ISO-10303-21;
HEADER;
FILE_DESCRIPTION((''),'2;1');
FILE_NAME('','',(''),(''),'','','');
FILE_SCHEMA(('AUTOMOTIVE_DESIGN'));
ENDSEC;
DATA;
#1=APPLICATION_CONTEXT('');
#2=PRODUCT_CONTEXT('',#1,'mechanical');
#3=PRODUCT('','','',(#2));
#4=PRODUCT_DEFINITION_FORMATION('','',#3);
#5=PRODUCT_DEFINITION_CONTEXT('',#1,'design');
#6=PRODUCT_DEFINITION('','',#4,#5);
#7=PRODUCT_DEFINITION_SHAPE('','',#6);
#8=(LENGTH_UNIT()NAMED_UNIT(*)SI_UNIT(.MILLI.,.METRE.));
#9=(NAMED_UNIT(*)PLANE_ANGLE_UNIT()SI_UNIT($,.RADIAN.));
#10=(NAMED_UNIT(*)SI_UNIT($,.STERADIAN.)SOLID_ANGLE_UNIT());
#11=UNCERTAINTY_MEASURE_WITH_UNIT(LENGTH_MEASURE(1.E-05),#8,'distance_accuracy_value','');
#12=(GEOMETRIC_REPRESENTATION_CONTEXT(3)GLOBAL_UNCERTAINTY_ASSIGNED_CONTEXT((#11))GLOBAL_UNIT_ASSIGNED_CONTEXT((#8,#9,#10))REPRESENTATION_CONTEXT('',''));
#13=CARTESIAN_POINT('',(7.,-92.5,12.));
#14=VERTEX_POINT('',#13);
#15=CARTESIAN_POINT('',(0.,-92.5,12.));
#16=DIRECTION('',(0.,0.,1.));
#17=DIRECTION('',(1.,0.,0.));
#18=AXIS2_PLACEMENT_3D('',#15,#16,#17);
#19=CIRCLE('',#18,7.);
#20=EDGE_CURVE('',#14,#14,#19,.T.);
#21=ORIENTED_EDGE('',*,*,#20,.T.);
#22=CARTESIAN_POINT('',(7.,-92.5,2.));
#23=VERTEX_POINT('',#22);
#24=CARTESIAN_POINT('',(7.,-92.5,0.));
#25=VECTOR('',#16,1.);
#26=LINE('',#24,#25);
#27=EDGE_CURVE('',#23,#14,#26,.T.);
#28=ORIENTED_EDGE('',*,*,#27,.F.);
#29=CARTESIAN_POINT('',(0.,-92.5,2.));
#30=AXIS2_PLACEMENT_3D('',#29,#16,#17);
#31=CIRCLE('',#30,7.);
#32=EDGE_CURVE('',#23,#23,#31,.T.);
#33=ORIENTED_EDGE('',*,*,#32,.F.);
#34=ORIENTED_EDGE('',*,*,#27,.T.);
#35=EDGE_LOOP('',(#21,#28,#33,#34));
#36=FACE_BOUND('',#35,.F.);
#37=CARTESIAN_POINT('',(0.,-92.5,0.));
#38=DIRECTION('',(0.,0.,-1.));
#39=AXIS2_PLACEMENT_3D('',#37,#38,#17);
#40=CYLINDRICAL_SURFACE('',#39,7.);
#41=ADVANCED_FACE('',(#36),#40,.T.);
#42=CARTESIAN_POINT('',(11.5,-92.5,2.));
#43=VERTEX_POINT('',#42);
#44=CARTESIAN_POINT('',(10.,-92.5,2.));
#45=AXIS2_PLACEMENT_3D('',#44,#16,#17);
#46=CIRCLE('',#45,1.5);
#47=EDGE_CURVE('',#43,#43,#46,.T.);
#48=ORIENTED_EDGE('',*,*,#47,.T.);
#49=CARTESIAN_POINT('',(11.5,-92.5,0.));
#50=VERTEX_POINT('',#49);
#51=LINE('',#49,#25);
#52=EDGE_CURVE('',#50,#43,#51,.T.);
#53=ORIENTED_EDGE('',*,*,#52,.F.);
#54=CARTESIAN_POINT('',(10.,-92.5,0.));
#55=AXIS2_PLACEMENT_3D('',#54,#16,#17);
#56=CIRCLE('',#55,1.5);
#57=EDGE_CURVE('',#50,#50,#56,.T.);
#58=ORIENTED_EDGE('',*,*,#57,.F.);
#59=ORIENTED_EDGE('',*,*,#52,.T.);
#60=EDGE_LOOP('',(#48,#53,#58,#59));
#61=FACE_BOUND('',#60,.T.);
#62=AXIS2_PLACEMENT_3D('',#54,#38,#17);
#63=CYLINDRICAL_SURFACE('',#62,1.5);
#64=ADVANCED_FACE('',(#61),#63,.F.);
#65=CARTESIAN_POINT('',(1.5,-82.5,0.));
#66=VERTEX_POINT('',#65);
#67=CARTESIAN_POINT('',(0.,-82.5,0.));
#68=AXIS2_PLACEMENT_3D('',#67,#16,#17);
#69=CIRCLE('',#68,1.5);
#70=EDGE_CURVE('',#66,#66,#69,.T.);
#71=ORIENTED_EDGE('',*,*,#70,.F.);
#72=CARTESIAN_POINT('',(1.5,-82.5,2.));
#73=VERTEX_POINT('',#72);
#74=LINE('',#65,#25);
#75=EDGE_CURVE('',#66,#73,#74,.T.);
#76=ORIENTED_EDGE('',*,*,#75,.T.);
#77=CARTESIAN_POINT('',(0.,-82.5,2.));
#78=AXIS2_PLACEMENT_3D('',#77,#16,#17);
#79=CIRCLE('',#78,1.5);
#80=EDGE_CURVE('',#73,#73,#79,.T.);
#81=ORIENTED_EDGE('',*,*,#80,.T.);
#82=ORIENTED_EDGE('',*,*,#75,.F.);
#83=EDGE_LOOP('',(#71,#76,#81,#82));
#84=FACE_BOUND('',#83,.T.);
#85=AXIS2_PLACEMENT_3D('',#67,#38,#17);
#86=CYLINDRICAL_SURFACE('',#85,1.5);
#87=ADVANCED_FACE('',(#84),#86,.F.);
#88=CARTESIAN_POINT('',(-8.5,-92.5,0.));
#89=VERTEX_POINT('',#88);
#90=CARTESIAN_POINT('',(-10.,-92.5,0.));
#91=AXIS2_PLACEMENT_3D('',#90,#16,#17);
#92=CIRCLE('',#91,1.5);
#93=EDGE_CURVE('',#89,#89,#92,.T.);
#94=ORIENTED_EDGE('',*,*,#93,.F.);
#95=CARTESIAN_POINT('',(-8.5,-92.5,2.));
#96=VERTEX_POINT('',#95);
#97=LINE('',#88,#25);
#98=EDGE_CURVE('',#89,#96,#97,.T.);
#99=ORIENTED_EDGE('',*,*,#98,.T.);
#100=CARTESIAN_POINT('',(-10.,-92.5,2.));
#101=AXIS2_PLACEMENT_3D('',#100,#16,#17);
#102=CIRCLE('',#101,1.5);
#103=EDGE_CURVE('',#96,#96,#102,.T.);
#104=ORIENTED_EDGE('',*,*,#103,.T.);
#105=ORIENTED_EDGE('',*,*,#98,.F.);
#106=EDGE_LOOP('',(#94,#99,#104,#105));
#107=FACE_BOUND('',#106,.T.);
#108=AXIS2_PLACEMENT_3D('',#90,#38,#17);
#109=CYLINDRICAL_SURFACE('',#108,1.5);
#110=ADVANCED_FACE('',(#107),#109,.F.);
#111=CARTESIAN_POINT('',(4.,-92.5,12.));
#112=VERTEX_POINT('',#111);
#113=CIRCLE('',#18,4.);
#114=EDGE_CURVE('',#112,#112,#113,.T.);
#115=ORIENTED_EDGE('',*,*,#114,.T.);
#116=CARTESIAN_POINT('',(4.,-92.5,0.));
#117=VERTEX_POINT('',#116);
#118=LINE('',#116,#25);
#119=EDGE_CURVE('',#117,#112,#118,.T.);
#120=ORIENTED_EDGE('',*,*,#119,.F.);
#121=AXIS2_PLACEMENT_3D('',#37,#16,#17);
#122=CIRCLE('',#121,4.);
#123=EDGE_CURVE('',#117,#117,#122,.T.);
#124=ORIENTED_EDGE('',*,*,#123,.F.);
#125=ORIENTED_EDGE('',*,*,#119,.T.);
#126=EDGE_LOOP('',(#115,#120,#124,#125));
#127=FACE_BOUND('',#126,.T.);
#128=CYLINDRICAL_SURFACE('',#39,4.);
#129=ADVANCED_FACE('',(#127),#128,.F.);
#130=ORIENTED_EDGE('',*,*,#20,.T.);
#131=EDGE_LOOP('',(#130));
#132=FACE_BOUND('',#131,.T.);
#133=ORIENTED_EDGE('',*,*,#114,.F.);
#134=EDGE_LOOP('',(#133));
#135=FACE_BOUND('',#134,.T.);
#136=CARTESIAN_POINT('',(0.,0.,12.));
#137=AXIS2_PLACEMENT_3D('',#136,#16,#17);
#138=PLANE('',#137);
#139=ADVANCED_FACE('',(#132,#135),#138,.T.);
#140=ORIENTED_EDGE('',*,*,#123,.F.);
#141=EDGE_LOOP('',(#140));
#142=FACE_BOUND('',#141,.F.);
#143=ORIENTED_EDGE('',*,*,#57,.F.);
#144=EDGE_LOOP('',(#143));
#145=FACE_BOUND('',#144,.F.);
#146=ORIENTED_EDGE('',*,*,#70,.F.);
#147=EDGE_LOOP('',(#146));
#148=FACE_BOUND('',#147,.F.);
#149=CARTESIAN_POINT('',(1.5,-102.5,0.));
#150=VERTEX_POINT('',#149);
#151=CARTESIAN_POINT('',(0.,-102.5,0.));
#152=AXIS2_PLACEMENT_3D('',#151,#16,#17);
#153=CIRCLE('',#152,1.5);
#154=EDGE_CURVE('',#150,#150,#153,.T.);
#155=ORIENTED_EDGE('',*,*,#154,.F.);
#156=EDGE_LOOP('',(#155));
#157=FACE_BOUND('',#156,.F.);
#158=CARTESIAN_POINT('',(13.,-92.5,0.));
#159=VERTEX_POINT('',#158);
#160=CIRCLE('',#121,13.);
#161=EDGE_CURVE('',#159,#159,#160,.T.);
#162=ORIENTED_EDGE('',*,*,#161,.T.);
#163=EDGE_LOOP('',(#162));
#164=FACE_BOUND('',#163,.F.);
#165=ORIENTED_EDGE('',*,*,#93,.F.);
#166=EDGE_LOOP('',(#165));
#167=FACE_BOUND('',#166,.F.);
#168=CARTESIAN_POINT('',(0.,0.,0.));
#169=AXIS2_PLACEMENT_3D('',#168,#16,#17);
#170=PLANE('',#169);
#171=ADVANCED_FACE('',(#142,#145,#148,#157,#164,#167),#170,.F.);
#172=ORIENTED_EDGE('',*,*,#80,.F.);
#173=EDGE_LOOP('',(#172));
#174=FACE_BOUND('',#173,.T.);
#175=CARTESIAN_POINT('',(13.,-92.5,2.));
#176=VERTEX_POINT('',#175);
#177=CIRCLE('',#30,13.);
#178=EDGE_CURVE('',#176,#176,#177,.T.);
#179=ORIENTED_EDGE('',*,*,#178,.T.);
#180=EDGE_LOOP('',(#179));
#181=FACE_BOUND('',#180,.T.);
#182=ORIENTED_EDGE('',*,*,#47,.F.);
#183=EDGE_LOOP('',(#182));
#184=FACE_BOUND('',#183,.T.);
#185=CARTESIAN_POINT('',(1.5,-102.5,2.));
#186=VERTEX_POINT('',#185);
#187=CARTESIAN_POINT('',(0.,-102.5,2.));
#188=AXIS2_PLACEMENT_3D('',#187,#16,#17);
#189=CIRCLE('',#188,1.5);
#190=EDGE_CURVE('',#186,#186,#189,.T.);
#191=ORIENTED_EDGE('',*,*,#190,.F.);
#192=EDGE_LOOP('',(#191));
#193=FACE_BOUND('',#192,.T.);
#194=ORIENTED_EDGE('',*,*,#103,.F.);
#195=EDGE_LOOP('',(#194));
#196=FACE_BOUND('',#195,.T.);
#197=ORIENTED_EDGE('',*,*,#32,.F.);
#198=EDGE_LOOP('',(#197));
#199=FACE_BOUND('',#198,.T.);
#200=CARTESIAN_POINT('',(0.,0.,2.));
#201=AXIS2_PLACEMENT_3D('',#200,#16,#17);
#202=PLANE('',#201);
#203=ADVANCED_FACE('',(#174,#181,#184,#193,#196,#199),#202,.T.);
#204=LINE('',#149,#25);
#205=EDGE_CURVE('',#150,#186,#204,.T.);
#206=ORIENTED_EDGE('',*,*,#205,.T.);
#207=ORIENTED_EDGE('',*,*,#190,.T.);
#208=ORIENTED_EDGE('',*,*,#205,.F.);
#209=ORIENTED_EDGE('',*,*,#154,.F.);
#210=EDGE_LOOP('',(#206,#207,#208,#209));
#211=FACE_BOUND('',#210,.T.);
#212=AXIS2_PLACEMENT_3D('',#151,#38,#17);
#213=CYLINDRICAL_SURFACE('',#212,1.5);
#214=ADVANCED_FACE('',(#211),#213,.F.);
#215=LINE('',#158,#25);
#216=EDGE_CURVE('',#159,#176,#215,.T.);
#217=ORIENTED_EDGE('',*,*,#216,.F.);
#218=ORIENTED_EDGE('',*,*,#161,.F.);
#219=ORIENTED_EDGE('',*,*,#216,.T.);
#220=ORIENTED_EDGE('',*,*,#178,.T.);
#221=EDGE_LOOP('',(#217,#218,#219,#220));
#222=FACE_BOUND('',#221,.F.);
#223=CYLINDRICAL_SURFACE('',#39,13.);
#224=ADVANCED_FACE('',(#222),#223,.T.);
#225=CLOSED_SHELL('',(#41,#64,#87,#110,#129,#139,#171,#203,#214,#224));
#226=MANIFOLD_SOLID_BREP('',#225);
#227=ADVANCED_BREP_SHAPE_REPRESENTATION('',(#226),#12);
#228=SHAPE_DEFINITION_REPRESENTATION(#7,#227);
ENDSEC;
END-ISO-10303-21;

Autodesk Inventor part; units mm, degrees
ref_plane "YZ Plane" through (0, 0, 0) normal (1, 0, 0) x (0, 1, 0)
ref_plane "Work Plane1" through (0, 0, 0) normal (0, 0, 1) x (1, 0, 0)
sketch "Sketch1" plane through (0, 0, 0) normal (0, 0, 1) x (1, 0, 0)
  circle A0 centre (0, -92.5) radius 4 projected
  circle A1 centre (0, -102.5) radius 1.5 projected
  circle A2 centre (-10, -92.5) radius 1.5 projected
  circle A3 centre (0, -82.5) radius 1.5 projected
  circle A4 centre (10, -92.5) radius 1.5 projected
  circle A5 centre (0, -92.5) radius 13
  circle A6 centre (0, -92.5) radius 7
  point P0 (0, 0)
  dimension "d0" = 26
  dimension "d1" = 14
extrude "Extrusion1" add sketch "Sketch1" along normal blind 2 contours A5
ref_plane "Work Plane2" through (0, 0, 0) normal (0, 0, 1) x (1, 0, 0)
sketch "Sketch2" plane through (0, 0, 0) normal (0, 0, 1) x (1, 0, 0)
  circle A0 centre (0, -92.5) radius 7 projected
  circle A1 centre (0, -92.5) radius 4 projected
  point P0 (0, 0)
extrude "Extrusion2" add sketch "Sketch2" along normal blind 12
properties part number "AcopleBrida8mm" material "Aluminio 6061"
